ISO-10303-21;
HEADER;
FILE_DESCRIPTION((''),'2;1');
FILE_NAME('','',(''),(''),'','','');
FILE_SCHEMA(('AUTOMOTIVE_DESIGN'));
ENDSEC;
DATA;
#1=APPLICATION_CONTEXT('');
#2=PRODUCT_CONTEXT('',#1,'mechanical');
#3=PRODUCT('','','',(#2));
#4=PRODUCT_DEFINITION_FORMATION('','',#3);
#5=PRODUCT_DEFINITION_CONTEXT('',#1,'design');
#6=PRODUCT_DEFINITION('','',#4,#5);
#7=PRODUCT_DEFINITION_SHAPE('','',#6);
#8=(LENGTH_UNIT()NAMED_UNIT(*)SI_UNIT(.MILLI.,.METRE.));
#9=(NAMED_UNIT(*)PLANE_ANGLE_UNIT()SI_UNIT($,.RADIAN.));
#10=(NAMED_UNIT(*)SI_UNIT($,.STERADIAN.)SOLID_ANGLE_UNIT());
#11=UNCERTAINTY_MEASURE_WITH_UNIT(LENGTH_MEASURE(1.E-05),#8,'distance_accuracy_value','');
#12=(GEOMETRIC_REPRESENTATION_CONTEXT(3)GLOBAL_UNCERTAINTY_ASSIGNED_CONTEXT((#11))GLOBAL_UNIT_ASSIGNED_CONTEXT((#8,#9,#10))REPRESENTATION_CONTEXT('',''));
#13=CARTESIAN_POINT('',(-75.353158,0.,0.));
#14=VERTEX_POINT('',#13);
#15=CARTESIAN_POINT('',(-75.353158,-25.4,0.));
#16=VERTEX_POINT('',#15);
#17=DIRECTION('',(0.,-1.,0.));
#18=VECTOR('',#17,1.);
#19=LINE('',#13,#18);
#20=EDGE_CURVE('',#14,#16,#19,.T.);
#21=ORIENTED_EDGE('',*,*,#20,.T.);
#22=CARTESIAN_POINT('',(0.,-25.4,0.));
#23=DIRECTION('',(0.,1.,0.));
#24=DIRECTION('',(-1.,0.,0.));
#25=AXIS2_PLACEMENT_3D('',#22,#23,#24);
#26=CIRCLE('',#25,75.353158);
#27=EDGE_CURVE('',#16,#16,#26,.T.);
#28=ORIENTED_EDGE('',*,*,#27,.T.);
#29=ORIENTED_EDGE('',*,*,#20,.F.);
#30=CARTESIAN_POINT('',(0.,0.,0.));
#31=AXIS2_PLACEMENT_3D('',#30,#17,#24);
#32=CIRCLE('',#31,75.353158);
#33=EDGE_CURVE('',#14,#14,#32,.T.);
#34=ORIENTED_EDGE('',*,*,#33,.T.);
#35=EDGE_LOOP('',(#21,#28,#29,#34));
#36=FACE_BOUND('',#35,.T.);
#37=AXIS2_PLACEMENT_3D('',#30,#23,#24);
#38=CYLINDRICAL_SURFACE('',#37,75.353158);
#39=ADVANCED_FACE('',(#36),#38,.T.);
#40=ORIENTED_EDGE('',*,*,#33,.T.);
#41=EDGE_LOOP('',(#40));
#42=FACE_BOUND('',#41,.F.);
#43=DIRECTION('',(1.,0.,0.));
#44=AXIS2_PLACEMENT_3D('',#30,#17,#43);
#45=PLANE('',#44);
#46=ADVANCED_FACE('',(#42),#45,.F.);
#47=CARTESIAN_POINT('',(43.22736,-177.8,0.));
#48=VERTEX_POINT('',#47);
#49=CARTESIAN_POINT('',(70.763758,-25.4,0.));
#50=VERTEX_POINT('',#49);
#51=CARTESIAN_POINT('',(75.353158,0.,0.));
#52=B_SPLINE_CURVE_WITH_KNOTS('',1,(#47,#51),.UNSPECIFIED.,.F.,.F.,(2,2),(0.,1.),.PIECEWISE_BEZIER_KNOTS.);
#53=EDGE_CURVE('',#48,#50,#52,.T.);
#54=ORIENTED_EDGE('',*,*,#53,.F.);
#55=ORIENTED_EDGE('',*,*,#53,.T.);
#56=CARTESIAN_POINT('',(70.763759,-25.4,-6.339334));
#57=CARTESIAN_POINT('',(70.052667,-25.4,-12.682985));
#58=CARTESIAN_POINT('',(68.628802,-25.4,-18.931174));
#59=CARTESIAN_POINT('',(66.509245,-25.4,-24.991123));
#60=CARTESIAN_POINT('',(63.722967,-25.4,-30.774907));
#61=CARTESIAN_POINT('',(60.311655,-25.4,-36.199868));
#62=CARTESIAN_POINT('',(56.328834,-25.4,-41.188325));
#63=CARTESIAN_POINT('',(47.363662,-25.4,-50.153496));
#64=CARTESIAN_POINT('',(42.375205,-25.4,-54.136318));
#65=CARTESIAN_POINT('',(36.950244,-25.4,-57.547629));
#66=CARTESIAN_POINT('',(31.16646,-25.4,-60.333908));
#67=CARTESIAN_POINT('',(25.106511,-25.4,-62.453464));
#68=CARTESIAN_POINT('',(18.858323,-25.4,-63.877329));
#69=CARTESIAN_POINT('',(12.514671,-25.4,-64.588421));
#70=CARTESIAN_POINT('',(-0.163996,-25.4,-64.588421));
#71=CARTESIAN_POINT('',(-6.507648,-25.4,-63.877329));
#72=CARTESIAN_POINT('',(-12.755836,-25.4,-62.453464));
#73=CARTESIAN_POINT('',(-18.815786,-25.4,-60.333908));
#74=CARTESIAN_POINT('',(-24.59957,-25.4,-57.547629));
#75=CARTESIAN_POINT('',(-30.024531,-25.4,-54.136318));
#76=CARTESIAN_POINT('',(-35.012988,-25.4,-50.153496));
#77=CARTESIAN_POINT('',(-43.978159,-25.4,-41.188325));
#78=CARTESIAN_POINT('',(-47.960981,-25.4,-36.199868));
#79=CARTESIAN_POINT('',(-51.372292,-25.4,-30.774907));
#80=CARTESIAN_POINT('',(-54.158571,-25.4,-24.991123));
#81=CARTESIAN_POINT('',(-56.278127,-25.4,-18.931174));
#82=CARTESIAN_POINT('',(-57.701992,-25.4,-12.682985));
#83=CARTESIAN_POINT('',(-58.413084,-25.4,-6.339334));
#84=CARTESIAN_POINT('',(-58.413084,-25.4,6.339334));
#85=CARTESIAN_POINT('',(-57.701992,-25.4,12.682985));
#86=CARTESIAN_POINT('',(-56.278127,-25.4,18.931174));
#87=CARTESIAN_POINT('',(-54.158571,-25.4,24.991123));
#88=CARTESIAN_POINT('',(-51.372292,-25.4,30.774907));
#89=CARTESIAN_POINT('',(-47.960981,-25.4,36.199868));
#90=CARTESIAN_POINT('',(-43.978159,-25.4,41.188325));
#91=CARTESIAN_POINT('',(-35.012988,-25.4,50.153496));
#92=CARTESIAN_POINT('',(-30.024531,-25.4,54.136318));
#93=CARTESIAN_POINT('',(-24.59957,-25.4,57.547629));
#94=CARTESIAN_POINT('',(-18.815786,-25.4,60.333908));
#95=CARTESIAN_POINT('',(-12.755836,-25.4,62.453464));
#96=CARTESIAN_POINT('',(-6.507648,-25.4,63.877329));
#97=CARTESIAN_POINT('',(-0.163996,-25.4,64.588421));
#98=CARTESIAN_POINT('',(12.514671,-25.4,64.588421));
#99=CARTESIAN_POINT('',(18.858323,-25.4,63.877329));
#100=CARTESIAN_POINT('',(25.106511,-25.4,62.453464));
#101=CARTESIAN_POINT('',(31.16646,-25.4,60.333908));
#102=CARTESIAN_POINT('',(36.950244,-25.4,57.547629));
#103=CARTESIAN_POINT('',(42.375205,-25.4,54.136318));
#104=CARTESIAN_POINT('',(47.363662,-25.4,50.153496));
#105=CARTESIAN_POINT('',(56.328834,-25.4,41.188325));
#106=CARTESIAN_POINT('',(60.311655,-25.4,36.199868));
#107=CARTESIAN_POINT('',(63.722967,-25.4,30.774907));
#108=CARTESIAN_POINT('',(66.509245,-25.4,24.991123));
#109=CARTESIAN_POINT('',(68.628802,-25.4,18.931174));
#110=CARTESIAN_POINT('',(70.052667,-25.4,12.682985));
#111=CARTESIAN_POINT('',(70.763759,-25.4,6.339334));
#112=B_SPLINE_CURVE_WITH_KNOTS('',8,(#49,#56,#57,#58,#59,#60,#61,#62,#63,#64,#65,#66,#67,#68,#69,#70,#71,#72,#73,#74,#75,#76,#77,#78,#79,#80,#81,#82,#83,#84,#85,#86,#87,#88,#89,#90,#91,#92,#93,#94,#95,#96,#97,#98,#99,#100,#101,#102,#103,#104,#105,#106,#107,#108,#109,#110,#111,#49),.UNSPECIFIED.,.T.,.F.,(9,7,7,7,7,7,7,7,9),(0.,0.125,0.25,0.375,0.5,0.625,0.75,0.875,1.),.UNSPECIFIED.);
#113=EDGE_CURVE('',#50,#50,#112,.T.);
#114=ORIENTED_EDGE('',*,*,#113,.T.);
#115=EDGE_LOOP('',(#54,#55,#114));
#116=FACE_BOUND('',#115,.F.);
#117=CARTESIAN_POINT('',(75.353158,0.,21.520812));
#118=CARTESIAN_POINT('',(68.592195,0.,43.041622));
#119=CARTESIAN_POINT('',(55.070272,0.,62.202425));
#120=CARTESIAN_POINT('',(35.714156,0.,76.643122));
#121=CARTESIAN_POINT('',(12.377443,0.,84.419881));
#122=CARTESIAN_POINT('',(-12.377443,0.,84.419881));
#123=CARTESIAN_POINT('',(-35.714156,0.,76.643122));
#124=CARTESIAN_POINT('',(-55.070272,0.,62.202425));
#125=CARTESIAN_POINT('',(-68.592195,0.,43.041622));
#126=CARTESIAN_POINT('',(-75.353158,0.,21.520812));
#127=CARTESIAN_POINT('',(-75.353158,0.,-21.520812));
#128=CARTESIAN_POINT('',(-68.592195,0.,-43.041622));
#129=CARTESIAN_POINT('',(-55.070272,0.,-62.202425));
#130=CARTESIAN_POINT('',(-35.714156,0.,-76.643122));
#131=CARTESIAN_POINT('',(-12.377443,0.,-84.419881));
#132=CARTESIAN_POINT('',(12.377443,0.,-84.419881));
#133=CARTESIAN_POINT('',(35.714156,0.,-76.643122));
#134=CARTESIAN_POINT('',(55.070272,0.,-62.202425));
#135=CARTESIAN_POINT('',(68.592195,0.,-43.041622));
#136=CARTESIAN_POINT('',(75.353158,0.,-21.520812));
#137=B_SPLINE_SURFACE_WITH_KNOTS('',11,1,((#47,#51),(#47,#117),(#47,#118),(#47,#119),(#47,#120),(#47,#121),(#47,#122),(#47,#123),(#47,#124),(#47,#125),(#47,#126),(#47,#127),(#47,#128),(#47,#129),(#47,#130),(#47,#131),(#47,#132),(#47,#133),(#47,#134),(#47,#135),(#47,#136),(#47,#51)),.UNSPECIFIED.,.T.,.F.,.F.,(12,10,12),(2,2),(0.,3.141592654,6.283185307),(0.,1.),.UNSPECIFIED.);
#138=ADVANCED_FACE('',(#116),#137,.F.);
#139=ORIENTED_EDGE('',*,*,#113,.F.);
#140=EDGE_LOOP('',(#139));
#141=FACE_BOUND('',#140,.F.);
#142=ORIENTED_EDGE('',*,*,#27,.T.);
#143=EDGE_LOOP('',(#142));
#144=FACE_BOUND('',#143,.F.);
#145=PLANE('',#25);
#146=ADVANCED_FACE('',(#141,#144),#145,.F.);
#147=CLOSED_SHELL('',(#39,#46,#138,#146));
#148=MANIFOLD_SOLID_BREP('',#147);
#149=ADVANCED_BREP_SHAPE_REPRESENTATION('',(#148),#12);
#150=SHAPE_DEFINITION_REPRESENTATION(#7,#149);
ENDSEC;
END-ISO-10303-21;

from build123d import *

# Parameters (mm, degrees)
F0_R      = 75.353158
F3_FACE_R = 75.353158
F4_DEPTH  = 25.4


with BuildPart() as f3:
    # F0 (on Front) → F3 section 0
    with BuildSketch(Plane.XZ, mode=Mode.PRIVATE) as f3_s0:
        Circle(F0_R)
    loft([Vertex(43.22736, -177.8, 0), f3_s0.sketch])

    # F3_face (on face) → F4 (join)
    with BuildSketch(Plane(origin=(0, 0, 0), x_dir=(-1, 0, 0), z_dir=(0, 1, 0))):
        Circle(F3_FACE_R)
    extrude(amount=-F4_DEPTH)


solid = f3.part
